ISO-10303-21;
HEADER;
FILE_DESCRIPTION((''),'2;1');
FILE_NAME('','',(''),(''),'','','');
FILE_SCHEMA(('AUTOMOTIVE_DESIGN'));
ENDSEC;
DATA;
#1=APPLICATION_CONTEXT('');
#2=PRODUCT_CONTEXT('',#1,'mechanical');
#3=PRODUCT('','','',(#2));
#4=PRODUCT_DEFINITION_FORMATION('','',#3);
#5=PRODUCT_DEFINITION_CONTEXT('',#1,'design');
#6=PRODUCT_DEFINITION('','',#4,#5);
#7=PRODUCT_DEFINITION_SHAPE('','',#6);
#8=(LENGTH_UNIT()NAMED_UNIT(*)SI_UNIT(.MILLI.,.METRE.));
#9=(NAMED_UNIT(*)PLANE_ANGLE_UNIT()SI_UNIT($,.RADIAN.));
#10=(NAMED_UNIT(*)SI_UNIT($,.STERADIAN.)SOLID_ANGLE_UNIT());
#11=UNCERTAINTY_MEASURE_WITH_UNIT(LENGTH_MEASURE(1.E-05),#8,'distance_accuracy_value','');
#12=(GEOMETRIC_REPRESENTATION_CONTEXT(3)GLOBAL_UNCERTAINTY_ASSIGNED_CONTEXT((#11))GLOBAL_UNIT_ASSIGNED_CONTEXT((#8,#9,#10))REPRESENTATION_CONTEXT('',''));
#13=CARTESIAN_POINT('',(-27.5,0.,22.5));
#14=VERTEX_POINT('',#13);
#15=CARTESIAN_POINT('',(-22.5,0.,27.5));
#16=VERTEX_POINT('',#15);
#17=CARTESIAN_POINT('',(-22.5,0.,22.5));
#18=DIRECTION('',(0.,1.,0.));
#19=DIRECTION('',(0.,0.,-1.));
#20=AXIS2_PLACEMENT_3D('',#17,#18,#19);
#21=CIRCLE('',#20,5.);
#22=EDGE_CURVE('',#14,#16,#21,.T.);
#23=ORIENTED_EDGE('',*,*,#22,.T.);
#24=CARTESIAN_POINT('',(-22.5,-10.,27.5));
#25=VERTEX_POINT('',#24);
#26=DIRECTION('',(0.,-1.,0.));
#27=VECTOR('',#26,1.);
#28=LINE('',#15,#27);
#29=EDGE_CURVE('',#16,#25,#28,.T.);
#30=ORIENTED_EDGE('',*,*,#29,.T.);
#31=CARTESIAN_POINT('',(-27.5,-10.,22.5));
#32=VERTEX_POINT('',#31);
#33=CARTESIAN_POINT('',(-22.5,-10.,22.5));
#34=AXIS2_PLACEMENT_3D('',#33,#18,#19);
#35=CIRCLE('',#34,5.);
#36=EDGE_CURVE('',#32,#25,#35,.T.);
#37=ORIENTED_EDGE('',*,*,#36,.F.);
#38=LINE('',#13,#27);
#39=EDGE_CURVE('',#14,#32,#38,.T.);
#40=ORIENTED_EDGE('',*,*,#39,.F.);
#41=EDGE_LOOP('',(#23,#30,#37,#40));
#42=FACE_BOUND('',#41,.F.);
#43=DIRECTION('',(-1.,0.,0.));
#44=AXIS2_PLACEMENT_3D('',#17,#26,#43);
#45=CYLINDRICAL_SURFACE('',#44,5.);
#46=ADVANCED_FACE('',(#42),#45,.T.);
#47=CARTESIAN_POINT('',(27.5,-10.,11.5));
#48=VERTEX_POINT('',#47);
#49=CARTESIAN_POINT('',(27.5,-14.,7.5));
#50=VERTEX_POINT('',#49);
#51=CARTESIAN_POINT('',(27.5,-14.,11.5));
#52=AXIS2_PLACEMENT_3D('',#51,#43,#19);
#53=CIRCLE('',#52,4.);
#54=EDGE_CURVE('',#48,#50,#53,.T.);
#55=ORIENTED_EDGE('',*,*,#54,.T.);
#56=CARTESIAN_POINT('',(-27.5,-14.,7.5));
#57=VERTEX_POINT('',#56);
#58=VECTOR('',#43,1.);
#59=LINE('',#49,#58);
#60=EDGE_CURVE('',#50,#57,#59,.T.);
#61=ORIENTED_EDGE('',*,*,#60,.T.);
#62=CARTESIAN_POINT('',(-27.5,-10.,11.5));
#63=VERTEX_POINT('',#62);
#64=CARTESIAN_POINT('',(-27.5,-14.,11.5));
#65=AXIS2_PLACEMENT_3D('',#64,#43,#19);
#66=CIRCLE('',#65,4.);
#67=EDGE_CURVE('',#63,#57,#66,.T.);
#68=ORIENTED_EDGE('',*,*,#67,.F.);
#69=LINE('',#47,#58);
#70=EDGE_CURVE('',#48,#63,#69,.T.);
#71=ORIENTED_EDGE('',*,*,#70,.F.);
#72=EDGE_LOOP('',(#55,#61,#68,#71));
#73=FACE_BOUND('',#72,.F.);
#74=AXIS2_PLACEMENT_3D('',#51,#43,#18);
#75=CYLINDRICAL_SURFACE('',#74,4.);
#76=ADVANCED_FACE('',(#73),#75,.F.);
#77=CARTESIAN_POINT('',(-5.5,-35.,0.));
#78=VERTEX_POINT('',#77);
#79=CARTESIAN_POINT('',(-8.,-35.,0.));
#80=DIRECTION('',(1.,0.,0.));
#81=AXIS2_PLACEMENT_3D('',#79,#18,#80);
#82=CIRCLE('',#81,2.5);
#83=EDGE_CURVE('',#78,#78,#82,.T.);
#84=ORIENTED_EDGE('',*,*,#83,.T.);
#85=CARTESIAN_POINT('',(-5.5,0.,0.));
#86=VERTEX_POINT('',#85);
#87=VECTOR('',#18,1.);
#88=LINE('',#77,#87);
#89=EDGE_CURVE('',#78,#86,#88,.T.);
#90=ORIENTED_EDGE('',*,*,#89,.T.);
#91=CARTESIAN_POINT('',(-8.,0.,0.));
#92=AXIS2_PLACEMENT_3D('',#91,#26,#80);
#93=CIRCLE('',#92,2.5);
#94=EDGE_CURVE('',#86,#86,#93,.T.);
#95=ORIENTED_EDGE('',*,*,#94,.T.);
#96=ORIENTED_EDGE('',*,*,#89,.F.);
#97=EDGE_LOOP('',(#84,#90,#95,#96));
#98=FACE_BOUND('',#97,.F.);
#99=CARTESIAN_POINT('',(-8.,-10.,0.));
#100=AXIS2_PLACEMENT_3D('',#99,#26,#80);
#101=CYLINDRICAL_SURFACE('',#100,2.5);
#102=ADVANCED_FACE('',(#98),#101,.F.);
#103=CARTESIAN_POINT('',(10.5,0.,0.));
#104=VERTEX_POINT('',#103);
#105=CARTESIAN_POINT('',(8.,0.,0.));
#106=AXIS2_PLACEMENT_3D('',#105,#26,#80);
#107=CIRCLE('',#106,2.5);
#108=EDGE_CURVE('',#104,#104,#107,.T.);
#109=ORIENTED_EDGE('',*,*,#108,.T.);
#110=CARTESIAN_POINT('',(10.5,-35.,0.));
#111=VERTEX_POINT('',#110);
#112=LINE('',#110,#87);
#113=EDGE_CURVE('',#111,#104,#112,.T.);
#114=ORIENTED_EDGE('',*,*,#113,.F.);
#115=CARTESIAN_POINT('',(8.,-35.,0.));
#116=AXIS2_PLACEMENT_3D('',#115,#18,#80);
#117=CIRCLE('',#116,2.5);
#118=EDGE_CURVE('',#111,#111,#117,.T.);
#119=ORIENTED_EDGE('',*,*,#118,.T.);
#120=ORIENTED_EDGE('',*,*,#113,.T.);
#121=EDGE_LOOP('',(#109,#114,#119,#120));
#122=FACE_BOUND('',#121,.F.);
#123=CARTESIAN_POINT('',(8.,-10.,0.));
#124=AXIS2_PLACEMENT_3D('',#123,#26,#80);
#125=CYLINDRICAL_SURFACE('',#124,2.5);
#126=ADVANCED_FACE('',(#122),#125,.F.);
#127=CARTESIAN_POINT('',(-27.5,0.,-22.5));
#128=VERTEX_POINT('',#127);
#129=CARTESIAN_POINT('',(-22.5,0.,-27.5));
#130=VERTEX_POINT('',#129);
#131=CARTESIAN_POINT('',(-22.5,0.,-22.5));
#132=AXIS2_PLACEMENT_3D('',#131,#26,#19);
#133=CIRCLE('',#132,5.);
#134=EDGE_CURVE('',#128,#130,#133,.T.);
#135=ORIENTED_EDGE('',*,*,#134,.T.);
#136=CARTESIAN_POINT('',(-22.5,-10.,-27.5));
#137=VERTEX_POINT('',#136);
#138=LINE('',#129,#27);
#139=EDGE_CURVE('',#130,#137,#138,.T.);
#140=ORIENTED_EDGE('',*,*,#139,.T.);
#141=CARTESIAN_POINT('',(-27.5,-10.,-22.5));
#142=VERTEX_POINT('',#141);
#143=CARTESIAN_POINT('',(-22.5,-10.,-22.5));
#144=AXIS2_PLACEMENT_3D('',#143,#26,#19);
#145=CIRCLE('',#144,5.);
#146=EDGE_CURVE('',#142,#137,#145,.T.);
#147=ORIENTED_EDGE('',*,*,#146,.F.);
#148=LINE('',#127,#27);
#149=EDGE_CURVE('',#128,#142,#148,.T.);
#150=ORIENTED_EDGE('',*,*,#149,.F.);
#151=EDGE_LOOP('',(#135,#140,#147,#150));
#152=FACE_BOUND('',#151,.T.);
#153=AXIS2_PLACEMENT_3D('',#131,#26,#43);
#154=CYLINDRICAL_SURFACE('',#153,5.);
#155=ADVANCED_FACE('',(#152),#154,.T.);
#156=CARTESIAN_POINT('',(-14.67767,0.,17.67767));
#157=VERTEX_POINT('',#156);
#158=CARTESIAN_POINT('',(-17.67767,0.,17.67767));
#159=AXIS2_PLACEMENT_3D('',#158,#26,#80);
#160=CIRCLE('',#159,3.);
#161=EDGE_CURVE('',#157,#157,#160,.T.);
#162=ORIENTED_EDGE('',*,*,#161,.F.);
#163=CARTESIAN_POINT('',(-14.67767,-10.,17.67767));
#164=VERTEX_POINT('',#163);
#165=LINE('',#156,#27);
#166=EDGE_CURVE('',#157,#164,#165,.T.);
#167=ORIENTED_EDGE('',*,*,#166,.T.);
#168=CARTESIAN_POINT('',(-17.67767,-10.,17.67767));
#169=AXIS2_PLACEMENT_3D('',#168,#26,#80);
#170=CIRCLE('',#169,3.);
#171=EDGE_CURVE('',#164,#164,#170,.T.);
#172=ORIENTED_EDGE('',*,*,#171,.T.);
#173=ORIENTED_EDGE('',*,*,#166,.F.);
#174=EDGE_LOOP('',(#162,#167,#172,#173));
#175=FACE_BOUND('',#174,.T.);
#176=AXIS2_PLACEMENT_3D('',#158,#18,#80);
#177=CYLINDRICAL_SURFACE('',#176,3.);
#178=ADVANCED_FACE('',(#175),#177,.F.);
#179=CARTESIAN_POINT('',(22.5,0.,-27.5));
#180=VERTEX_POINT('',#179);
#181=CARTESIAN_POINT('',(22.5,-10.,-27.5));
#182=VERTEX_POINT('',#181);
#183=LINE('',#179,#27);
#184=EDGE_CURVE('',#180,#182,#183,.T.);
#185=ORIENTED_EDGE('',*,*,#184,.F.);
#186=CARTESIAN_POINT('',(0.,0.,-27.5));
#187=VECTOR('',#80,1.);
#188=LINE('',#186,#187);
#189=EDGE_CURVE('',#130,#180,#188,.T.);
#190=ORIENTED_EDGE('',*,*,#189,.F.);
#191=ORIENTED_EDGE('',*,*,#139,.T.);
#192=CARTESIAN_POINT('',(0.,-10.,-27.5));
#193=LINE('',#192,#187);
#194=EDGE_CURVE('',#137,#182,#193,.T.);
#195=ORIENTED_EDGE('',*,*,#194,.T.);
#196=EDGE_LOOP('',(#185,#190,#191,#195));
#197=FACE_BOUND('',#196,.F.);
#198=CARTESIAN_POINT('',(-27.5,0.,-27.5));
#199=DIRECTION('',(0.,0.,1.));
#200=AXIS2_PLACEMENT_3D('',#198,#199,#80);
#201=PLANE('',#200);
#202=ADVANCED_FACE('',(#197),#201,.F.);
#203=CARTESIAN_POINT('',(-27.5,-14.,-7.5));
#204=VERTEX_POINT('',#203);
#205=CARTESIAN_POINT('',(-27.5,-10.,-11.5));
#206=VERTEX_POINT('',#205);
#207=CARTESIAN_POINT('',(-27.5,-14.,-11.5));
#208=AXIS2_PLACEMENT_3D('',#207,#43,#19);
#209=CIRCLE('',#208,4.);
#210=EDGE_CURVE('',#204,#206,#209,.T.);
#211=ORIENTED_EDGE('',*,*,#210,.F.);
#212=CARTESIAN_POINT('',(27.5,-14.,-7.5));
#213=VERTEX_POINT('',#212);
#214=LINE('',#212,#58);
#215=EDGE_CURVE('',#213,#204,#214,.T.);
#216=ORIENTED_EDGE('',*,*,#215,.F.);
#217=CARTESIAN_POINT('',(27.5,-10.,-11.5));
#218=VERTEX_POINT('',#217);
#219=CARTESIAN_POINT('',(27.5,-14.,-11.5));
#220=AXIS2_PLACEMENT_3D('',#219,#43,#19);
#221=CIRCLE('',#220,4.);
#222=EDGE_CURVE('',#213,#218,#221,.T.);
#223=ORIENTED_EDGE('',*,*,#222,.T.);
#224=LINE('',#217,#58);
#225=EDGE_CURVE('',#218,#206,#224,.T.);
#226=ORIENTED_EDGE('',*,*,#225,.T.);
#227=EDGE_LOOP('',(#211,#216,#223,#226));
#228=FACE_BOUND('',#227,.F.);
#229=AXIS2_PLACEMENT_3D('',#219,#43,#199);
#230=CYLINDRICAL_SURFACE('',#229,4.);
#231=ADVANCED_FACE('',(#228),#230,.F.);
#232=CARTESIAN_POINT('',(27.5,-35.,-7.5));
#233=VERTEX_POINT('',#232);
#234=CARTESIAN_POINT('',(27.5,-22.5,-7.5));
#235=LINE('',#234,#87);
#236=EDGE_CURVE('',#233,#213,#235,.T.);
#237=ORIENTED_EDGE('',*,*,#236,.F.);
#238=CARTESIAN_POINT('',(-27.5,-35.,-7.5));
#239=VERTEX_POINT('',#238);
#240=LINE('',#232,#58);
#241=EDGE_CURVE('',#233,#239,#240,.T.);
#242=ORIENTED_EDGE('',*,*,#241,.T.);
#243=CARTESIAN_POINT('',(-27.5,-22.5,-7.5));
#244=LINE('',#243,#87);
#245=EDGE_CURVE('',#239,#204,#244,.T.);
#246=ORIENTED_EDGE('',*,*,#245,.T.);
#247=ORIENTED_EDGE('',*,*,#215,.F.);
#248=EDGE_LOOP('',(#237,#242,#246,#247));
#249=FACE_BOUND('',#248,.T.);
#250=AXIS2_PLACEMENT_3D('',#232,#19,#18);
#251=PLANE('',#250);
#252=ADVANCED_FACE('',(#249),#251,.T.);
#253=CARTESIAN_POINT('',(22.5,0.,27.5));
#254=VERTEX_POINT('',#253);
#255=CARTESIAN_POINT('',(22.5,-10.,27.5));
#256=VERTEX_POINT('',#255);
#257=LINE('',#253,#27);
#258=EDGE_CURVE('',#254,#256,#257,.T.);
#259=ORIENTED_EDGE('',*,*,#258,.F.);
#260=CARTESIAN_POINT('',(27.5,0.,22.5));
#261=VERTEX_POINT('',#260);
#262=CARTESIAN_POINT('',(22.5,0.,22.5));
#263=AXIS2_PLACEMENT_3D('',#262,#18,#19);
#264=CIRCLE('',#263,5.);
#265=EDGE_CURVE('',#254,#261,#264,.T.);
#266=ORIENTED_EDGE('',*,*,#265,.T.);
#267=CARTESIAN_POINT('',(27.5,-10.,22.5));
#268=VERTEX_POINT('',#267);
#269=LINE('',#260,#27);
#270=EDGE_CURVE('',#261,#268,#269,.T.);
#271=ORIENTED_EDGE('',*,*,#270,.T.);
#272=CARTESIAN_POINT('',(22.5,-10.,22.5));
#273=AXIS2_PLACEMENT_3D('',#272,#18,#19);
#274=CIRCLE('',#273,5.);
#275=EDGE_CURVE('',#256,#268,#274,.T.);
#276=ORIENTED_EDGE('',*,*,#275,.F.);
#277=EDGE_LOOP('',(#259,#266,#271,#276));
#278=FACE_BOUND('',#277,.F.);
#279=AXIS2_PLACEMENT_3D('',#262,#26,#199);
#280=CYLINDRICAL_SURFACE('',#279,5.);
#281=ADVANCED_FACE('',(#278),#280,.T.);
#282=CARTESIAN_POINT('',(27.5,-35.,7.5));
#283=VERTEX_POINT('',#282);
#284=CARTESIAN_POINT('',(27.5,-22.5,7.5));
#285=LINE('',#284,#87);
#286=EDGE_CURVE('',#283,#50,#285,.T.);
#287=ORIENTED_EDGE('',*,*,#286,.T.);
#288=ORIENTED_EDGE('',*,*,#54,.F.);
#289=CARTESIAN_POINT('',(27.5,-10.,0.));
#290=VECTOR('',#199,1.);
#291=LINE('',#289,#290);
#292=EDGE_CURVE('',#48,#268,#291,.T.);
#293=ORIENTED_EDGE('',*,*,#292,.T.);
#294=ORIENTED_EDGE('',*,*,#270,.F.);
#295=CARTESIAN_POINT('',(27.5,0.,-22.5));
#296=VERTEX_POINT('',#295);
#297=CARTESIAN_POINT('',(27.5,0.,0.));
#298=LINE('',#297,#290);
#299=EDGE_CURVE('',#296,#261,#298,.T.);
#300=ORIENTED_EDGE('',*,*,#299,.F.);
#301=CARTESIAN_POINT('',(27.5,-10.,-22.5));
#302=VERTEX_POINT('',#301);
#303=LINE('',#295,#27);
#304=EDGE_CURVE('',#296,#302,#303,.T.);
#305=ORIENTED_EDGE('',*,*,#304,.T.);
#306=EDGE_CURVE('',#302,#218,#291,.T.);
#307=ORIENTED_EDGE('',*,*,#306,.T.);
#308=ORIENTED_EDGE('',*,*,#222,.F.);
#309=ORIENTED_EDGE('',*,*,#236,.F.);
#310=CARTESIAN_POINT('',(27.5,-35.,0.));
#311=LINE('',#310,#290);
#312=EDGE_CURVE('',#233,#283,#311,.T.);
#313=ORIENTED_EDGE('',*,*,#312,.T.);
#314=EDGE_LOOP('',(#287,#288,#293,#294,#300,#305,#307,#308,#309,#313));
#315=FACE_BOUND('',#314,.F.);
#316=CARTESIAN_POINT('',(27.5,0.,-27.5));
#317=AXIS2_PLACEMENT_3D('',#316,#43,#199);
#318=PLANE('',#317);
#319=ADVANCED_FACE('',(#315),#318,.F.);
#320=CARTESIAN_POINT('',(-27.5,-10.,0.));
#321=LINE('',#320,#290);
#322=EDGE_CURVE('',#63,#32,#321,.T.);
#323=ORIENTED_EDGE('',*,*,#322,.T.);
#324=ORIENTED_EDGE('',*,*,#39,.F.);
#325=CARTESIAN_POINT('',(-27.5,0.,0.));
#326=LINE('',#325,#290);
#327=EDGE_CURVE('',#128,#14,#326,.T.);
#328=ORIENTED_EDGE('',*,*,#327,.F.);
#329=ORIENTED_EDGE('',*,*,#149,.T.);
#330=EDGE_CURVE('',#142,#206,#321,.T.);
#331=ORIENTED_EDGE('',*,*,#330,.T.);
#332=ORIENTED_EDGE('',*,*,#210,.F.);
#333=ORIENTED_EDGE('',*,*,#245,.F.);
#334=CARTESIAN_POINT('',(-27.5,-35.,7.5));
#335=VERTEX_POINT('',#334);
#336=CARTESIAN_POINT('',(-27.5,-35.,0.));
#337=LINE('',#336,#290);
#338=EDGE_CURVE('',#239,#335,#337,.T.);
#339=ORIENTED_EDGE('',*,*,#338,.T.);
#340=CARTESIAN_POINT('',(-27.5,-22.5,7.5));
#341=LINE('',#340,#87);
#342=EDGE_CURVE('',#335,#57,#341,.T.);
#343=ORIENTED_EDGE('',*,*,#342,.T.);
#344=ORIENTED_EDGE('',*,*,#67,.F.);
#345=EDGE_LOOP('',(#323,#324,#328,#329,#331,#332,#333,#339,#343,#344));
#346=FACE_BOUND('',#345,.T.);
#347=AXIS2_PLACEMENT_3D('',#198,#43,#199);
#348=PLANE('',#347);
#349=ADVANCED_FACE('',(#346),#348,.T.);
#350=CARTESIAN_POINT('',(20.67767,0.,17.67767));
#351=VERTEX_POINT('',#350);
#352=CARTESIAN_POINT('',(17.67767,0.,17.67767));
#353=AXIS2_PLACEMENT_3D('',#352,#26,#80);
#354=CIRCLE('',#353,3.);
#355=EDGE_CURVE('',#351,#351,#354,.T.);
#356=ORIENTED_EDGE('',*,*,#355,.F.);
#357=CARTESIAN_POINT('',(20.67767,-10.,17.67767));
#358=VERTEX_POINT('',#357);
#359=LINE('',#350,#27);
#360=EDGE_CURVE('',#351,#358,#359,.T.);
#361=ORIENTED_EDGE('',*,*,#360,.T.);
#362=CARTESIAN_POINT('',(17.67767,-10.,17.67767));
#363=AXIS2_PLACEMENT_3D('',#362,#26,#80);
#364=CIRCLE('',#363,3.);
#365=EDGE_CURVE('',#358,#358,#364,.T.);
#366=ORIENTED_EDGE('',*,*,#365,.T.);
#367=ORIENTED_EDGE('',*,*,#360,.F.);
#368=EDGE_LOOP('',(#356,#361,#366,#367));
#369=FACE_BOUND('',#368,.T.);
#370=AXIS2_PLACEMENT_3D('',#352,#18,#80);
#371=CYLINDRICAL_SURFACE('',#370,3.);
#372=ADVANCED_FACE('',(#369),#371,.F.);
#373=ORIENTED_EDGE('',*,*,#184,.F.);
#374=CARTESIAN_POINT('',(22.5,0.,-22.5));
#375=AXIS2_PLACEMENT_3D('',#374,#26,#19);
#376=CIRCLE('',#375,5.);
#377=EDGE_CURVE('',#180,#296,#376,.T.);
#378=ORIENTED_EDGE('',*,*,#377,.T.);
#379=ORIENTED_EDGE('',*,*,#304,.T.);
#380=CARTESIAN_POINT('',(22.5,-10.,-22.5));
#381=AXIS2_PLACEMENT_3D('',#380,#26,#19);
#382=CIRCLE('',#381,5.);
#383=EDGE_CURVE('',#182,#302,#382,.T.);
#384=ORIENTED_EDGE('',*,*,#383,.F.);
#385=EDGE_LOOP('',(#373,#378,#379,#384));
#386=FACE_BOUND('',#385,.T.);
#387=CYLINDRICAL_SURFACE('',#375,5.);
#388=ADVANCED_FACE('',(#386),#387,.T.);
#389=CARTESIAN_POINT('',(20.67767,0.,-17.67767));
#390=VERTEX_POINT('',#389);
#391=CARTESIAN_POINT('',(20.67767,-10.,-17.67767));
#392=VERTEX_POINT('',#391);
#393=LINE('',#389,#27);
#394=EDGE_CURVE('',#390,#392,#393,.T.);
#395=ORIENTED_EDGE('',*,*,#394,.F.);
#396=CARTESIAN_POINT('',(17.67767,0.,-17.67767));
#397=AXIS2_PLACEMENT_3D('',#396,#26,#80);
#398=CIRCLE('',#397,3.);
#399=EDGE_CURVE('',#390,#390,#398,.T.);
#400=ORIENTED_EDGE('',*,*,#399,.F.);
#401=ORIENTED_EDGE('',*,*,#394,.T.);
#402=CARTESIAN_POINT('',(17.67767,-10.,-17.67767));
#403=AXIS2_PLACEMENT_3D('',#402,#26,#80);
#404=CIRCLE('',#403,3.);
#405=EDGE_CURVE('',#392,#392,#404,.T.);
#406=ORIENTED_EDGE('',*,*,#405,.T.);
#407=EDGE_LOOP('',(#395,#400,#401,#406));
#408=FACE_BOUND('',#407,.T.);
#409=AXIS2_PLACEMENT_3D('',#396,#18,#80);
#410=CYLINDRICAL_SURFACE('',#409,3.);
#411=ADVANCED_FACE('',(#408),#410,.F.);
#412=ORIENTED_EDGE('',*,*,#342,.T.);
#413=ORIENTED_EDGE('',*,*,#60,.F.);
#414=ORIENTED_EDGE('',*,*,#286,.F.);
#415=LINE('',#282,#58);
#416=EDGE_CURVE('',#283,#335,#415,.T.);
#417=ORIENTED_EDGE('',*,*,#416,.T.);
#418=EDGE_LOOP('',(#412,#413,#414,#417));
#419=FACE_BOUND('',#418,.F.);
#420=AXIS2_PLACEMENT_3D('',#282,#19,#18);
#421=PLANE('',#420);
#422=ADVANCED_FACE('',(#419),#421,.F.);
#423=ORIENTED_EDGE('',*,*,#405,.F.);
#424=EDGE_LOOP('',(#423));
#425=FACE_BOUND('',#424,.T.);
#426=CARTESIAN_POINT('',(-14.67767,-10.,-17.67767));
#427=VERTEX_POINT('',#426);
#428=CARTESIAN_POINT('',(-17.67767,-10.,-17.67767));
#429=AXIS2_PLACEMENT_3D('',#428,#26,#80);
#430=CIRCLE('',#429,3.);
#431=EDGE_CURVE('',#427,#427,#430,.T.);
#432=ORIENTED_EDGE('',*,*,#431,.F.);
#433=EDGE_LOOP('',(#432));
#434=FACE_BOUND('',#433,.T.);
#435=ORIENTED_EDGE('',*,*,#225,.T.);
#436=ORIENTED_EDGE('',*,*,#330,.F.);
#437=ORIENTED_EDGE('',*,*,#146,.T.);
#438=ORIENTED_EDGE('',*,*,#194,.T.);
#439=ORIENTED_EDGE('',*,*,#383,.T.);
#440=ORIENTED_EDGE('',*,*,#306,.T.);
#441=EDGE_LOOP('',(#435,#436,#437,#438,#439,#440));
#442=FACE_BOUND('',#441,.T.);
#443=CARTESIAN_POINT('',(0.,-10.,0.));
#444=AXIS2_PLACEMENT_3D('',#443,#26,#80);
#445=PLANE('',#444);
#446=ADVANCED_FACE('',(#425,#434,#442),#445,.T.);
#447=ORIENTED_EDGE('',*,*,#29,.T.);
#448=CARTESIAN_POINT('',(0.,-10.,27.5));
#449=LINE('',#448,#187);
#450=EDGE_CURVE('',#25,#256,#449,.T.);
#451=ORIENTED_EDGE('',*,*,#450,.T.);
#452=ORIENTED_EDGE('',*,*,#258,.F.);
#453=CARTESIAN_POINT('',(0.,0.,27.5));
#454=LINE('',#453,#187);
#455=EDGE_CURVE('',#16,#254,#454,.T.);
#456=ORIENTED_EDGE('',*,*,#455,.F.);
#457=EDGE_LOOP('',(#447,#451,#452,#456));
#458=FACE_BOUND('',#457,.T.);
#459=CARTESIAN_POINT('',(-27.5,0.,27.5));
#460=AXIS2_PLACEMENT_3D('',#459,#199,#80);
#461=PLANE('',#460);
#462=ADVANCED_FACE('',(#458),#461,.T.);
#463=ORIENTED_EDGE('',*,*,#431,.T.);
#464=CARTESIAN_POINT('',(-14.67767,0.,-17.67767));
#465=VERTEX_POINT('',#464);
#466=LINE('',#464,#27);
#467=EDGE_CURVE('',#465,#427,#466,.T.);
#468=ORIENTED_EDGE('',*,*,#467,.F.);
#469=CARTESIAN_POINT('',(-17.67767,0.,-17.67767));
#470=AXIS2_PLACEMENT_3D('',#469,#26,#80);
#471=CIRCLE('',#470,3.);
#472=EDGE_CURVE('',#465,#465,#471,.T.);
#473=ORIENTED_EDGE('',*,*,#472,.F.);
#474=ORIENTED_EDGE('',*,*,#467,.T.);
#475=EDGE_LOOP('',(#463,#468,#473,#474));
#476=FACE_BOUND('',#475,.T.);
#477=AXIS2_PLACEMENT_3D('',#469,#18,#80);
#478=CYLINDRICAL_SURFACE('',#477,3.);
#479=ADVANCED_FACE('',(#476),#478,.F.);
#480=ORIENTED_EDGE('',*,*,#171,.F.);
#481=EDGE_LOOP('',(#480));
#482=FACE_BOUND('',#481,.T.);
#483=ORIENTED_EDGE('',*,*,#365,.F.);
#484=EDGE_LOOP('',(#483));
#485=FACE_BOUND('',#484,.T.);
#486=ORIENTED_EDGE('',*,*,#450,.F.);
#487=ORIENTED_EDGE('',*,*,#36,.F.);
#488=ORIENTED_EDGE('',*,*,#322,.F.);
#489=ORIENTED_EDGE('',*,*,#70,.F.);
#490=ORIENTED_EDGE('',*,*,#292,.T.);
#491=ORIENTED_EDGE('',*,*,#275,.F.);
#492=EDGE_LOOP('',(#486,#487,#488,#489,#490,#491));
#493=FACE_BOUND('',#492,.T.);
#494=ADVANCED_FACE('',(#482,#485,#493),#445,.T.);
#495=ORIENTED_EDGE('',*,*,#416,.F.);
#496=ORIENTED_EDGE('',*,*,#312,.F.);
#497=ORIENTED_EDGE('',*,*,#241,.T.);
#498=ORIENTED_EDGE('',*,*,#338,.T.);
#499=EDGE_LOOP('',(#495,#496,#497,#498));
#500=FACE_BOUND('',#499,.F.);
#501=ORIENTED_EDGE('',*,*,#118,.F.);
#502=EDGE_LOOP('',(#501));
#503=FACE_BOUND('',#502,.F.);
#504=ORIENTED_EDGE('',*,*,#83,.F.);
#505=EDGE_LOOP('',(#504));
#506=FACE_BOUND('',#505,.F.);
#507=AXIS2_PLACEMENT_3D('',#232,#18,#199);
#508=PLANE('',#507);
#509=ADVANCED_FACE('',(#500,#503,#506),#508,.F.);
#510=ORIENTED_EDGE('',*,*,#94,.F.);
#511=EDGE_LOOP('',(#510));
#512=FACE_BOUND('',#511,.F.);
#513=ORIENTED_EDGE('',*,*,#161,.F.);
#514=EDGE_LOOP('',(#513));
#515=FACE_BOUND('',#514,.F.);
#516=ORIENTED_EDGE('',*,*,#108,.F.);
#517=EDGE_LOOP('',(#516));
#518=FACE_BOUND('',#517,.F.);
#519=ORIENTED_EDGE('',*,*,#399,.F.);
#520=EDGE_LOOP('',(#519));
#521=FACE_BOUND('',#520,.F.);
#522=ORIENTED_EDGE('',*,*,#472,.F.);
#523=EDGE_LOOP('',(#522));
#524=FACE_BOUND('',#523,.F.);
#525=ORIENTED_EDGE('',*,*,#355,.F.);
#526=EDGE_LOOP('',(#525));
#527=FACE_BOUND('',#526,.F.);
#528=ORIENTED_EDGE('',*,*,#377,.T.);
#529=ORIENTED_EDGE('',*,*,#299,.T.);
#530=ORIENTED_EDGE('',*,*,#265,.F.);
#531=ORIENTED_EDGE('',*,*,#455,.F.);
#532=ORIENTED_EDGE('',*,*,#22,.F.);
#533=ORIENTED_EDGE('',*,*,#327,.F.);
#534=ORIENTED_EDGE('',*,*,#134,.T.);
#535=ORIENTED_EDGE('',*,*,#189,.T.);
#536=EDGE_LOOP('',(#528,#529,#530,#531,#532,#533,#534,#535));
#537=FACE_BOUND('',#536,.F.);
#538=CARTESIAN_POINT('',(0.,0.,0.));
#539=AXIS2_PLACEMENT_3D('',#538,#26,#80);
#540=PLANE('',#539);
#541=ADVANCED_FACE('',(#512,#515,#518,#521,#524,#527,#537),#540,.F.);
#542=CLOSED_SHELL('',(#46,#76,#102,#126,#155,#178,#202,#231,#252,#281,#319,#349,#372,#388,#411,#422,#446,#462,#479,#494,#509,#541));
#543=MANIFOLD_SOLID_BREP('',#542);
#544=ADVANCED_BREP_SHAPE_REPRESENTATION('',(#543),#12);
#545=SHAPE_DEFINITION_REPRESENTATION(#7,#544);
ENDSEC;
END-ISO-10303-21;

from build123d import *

# Parameters (mm, degrees)
F0_W          = 55
F0_H          = 55
F0_R          = 3
F1_DEPTH      = 10
F2_R          = 5
F3_W          = 25
F3_H          = 15
F4_DEPTH      = 55
F5_R          = 2.5
F6_DEPTH      = 10.001
F6_DEPTH_BACK = 25.001
F7_R          = 4


with BuildPart() as f1:
    # F0 (on Front) → F1 (new body)
    with BuildSketch(Plane.XZ):
        Rectangle(F0_W, F0_H)
        with Locations((-17.6776695297, -17.6776695297)):
            Circle(F0_R, mode=Mode.SUBTRACT)
        with Locations((17.6776695297, -17.6776695297)):
            Circle(F0_R, mode=Mode.SUBTRACT)
        with Locations((-17.6776695297, 17.6776695297)):
            Circle(F0_R, mode=Mode.SUBTRACT)
        with Locations((17.6776695297, 17.6776695297)):
            Circle(F0_R, mode=Mode.SUBTRACT)
    extrude(amount=F1_DEPTH)

    # F2
    f2_edges = [f1.edges().sort_by_distance(p)[0] for p in [
        (-27.5, -5, 27.5),
        (-27.5, -5, -27.5),
        (27.5, -5, 27.5),
        (27.5, -5, -27.5),
    ]]
    fillet(f2_edges, radius=F2_R)

    # F3 (on face) → F4 (join)
    with BuildSketch(Plane.YZ.offset(27.5)):
        with Locations((-22.5, 0)):
            Rectangle(F3_W, F3_H)
    extrude(amount=-F4_DEPTH)

    # F5 (on face) → F6 (cut, two sides)
    with BuildSketch(Plane.XZ.offset(10)) as f6_sk:
        with Locations((8, 0)):
            Circle(F5_R)
        with Locations((-8, 0)):
            Circle(F5_R)
    extrude(amount=-F6_DEPTH, mode=Mode.SUBTRACT)
    extrude(f6_sk.sketch, amount=F6_DEPTH_BACK, mode=Mode.SUBTRACT)

    # F7
    f7_edges = [f1.edges().sort_by_distance(p)[0] for p in [
        (0, -10, -7.5),
        (0, -10, 7.5),
    ]]
    fillet(f7_edges, radius=F7_R)


solid = f1.part
